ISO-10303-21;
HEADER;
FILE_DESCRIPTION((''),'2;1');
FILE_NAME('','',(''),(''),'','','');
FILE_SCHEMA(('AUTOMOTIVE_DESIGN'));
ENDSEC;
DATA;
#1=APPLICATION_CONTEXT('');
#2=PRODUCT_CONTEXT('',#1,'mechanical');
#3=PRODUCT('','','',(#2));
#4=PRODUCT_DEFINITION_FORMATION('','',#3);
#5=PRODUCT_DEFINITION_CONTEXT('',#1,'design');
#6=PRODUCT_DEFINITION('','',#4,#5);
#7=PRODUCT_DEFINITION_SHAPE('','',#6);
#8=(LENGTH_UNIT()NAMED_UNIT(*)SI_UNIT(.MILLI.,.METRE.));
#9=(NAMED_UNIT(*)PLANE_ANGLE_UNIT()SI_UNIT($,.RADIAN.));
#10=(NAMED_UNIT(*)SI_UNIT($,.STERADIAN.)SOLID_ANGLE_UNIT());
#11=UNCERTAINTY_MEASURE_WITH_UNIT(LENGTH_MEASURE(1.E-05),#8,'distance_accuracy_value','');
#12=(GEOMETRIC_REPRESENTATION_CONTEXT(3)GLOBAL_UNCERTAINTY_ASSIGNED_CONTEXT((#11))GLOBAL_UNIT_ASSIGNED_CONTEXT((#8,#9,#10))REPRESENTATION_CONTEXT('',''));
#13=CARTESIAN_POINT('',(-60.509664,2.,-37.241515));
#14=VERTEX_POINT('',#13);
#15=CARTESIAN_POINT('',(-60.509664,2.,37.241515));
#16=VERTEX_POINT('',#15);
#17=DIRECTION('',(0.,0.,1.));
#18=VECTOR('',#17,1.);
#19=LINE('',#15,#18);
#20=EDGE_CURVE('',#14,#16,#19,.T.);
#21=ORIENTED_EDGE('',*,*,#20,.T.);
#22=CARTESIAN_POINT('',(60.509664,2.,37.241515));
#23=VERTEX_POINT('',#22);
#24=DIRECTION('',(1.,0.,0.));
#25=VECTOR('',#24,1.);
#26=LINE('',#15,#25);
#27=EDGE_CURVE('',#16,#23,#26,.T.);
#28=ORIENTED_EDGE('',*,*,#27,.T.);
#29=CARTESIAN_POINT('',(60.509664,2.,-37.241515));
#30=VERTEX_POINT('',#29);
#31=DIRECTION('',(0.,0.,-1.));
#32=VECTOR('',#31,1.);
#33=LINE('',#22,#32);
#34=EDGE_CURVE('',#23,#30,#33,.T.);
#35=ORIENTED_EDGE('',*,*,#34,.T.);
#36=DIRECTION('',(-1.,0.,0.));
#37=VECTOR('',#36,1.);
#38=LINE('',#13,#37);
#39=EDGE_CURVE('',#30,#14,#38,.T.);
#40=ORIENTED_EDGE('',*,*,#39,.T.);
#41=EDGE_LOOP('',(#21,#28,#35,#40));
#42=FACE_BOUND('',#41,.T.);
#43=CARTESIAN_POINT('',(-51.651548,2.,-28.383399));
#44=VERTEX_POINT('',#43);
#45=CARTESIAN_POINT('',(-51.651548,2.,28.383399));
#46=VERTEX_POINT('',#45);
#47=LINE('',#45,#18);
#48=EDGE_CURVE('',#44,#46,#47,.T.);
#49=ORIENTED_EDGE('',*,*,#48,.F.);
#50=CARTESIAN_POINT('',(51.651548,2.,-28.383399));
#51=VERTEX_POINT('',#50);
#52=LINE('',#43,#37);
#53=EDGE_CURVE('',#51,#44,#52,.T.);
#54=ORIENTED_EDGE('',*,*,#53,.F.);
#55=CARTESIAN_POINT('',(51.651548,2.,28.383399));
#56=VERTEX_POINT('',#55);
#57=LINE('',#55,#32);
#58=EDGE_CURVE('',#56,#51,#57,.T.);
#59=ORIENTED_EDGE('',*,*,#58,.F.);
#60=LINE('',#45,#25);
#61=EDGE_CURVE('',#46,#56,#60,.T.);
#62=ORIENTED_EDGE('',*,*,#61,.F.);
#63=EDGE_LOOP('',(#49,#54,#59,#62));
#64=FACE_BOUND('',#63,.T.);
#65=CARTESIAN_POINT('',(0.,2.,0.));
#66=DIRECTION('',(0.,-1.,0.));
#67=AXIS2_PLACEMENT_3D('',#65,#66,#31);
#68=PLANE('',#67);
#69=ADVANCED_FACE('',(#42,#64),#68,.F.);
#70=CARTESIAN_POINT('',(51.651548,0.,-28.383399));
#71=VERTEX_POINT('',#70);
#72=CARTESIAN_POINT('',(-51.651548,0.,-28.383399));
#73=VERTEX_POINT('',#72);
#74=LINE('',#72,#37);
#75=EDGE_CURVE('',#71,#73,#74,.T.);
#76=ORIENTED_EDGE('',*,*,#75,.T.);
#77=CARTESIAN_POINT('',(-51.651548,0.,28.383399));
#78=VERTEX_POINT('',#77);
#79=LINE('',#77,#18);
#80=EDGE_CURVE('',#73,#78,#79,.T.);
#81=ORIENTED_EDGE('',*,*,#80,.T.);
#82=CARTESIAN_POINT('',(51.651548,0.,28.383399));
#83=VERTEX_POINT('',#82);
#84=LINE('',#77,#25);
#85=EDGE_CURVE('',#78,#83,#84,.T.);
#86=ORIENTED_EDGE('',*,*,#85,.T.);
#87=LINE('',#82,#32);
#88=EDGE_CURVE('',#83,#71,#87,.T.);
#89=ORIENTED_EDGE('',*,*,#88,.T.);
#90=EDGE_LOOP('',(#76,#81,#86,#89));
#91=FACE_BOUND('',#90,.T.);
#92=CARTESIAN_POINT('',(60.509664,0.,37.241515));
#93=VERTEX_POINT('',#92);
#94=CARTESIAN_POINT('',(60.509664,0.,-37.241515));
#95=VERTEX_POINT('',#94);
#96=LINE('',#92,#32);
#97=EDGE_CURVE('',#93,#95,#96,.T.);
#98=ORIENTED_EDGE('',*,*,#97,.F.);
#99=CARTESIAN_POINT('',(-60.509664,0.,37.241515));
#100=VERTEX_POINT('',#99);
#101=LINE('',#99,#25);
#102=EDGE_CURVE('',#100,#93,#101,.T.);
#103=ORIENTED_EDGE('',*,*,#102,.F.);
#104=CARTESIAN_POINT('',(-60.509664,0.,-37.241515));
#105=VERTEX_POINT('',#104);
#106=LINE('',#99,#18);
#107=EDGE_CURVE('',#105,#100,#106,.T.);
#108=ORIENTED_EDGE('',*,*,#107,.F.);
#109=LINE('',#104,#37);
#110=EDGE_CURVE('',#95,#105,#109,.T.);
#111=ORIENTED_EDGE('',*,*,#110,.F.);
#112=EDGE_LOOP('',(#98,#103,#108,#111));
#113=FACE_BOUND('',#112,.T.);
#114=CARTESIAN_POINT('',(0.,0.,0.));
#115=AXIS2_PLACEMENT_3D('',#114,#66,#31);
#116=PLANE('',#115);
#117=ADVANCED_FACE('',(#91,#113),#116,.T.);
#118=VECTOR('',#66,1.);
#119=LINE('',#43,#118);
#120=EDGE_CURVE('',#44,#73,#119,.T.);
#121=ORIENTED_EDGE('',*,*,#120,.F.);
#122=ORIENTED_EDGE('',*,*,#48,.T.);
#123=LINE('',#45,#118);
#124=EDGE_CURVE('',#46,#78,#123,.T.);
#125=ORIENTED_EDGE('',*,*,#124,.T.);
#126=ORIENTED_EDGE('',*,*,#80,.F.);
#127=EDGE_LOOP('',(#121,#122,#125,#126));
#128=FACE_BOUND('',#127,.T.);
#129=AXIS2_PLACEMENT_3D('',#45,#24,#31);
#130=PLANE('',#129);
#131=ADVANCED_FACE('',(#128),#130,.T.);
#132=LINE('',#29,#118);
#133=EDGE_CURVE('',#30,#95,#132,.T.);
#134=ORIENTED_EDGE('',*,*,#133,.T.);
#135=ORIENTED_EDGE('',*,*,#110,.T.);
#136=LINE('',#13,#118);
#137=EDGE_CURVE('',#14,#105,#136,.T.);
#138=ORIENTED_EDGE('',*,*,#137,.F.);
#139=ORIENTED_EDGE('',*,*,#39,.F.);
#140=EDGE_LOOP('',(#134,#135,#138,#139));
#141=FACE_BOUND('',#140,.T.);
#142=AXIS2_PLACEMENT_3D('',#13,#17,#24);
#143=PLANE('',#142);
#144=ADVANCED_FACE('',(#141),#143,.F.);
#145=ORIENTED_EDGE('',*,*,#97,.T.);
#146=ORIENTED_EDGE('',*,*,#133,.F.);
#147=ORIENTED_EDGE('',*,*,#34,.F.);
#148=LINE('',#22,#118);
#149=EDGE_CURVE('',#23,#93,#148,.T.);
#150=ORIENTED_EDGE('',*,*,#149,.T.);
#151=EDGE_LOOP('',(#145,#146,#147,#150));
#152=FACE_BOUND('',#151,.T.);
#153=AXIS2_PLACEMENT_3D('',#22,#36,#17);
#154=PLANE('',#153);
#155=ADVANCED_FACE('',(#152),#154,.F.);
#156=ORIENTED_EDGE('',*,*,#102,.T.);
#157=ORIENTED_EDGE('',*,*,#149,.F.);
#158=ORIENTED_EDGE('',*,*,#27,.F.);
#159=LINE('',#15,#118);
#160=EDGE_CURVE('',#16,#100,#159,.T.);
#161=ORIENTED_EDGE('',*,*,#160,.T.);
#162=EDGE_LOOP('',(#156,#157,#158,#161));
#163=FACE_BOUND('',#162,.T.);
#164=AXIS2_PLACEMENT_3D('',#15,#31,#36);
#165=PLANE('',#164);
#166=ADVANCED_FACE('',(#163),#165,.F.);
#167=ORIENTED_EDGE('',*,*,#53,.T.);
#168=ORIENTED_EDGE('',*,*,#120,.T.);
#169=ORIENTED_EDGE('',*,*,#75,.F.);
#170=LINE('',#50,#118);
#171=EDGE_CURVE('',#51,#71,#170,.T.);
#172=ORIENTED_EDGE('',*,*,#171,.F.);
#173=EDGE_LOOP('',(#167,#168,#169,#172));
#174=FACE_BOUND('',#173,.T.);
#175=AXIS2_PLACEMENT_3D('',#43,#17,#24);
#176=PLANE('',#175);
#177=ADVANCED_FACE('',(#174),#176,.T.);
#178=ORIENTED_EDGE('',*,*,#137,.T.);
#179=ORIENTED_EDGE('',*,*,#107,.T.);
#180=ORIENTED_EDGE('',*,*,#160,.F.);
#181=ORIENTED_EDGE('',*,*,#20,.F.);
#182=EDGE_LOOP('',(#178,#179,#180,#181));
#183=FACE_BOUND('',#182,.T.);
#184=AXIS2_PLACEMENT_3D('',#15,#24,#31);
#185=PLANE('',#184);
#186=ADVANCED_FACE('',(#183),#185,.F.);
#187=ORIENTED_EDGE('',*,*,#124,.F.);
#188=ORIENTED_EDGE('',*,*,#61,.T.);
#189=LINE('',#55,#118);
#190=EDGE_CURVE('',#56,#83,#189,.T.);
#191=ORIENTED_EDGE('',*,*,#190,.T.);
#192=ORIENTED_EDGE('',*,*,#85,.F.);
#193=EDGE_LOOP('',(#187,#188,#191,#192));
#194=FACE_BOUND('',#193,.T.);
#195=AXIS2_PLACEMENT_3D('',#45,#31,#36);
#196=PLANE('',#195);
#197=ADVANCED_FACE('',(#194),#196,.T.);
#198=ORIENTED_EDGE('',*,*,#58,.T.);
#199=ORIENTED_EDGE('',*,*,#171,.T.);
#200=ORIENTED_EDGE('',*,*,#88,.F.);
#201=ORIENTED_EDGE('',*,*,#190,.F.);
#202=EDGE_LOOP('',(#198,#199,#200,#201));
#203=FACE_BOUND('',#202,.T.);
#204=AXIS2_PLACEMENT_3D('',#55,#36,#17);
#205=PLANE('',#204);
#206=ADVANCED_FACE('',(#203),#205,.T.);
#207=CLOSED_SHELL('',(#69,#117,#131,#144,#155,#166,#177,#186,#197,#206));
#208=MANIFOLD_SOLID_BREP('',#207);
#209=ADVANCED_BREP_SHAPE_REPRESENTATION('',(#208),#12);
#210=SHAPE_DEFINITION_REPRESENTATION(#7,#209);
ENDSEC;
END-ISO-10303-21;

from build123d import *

# Parameters (mm, degrees)
SKETCH1_W           = 121.019327052
SKETCH1_H           = 74.483029124
SKETCH1_W_2         = 103.30309567
SKETCH1_H_2         = 56.76679774
BOSS_EXTRUDE1_DEPTH = 2


with BuildPart() as part:
    # Sketch1 → Boss-Extrude1 (new body)
    with BuildSketch(Plane(origin=(0, 0, 0), x_dir=(1, 0, 0), z_dir=(0, 1, 0))):
        Rectangle(SKETCH1_W, SKETCH1_H)
        Rectangle(SKETCH1_W_2, SKETCH1_H_2, mode=Mode.SUBTRACT)
    extrude(amount=BOSS_EXTRUDE1_DEPTH)


solid = part.part
